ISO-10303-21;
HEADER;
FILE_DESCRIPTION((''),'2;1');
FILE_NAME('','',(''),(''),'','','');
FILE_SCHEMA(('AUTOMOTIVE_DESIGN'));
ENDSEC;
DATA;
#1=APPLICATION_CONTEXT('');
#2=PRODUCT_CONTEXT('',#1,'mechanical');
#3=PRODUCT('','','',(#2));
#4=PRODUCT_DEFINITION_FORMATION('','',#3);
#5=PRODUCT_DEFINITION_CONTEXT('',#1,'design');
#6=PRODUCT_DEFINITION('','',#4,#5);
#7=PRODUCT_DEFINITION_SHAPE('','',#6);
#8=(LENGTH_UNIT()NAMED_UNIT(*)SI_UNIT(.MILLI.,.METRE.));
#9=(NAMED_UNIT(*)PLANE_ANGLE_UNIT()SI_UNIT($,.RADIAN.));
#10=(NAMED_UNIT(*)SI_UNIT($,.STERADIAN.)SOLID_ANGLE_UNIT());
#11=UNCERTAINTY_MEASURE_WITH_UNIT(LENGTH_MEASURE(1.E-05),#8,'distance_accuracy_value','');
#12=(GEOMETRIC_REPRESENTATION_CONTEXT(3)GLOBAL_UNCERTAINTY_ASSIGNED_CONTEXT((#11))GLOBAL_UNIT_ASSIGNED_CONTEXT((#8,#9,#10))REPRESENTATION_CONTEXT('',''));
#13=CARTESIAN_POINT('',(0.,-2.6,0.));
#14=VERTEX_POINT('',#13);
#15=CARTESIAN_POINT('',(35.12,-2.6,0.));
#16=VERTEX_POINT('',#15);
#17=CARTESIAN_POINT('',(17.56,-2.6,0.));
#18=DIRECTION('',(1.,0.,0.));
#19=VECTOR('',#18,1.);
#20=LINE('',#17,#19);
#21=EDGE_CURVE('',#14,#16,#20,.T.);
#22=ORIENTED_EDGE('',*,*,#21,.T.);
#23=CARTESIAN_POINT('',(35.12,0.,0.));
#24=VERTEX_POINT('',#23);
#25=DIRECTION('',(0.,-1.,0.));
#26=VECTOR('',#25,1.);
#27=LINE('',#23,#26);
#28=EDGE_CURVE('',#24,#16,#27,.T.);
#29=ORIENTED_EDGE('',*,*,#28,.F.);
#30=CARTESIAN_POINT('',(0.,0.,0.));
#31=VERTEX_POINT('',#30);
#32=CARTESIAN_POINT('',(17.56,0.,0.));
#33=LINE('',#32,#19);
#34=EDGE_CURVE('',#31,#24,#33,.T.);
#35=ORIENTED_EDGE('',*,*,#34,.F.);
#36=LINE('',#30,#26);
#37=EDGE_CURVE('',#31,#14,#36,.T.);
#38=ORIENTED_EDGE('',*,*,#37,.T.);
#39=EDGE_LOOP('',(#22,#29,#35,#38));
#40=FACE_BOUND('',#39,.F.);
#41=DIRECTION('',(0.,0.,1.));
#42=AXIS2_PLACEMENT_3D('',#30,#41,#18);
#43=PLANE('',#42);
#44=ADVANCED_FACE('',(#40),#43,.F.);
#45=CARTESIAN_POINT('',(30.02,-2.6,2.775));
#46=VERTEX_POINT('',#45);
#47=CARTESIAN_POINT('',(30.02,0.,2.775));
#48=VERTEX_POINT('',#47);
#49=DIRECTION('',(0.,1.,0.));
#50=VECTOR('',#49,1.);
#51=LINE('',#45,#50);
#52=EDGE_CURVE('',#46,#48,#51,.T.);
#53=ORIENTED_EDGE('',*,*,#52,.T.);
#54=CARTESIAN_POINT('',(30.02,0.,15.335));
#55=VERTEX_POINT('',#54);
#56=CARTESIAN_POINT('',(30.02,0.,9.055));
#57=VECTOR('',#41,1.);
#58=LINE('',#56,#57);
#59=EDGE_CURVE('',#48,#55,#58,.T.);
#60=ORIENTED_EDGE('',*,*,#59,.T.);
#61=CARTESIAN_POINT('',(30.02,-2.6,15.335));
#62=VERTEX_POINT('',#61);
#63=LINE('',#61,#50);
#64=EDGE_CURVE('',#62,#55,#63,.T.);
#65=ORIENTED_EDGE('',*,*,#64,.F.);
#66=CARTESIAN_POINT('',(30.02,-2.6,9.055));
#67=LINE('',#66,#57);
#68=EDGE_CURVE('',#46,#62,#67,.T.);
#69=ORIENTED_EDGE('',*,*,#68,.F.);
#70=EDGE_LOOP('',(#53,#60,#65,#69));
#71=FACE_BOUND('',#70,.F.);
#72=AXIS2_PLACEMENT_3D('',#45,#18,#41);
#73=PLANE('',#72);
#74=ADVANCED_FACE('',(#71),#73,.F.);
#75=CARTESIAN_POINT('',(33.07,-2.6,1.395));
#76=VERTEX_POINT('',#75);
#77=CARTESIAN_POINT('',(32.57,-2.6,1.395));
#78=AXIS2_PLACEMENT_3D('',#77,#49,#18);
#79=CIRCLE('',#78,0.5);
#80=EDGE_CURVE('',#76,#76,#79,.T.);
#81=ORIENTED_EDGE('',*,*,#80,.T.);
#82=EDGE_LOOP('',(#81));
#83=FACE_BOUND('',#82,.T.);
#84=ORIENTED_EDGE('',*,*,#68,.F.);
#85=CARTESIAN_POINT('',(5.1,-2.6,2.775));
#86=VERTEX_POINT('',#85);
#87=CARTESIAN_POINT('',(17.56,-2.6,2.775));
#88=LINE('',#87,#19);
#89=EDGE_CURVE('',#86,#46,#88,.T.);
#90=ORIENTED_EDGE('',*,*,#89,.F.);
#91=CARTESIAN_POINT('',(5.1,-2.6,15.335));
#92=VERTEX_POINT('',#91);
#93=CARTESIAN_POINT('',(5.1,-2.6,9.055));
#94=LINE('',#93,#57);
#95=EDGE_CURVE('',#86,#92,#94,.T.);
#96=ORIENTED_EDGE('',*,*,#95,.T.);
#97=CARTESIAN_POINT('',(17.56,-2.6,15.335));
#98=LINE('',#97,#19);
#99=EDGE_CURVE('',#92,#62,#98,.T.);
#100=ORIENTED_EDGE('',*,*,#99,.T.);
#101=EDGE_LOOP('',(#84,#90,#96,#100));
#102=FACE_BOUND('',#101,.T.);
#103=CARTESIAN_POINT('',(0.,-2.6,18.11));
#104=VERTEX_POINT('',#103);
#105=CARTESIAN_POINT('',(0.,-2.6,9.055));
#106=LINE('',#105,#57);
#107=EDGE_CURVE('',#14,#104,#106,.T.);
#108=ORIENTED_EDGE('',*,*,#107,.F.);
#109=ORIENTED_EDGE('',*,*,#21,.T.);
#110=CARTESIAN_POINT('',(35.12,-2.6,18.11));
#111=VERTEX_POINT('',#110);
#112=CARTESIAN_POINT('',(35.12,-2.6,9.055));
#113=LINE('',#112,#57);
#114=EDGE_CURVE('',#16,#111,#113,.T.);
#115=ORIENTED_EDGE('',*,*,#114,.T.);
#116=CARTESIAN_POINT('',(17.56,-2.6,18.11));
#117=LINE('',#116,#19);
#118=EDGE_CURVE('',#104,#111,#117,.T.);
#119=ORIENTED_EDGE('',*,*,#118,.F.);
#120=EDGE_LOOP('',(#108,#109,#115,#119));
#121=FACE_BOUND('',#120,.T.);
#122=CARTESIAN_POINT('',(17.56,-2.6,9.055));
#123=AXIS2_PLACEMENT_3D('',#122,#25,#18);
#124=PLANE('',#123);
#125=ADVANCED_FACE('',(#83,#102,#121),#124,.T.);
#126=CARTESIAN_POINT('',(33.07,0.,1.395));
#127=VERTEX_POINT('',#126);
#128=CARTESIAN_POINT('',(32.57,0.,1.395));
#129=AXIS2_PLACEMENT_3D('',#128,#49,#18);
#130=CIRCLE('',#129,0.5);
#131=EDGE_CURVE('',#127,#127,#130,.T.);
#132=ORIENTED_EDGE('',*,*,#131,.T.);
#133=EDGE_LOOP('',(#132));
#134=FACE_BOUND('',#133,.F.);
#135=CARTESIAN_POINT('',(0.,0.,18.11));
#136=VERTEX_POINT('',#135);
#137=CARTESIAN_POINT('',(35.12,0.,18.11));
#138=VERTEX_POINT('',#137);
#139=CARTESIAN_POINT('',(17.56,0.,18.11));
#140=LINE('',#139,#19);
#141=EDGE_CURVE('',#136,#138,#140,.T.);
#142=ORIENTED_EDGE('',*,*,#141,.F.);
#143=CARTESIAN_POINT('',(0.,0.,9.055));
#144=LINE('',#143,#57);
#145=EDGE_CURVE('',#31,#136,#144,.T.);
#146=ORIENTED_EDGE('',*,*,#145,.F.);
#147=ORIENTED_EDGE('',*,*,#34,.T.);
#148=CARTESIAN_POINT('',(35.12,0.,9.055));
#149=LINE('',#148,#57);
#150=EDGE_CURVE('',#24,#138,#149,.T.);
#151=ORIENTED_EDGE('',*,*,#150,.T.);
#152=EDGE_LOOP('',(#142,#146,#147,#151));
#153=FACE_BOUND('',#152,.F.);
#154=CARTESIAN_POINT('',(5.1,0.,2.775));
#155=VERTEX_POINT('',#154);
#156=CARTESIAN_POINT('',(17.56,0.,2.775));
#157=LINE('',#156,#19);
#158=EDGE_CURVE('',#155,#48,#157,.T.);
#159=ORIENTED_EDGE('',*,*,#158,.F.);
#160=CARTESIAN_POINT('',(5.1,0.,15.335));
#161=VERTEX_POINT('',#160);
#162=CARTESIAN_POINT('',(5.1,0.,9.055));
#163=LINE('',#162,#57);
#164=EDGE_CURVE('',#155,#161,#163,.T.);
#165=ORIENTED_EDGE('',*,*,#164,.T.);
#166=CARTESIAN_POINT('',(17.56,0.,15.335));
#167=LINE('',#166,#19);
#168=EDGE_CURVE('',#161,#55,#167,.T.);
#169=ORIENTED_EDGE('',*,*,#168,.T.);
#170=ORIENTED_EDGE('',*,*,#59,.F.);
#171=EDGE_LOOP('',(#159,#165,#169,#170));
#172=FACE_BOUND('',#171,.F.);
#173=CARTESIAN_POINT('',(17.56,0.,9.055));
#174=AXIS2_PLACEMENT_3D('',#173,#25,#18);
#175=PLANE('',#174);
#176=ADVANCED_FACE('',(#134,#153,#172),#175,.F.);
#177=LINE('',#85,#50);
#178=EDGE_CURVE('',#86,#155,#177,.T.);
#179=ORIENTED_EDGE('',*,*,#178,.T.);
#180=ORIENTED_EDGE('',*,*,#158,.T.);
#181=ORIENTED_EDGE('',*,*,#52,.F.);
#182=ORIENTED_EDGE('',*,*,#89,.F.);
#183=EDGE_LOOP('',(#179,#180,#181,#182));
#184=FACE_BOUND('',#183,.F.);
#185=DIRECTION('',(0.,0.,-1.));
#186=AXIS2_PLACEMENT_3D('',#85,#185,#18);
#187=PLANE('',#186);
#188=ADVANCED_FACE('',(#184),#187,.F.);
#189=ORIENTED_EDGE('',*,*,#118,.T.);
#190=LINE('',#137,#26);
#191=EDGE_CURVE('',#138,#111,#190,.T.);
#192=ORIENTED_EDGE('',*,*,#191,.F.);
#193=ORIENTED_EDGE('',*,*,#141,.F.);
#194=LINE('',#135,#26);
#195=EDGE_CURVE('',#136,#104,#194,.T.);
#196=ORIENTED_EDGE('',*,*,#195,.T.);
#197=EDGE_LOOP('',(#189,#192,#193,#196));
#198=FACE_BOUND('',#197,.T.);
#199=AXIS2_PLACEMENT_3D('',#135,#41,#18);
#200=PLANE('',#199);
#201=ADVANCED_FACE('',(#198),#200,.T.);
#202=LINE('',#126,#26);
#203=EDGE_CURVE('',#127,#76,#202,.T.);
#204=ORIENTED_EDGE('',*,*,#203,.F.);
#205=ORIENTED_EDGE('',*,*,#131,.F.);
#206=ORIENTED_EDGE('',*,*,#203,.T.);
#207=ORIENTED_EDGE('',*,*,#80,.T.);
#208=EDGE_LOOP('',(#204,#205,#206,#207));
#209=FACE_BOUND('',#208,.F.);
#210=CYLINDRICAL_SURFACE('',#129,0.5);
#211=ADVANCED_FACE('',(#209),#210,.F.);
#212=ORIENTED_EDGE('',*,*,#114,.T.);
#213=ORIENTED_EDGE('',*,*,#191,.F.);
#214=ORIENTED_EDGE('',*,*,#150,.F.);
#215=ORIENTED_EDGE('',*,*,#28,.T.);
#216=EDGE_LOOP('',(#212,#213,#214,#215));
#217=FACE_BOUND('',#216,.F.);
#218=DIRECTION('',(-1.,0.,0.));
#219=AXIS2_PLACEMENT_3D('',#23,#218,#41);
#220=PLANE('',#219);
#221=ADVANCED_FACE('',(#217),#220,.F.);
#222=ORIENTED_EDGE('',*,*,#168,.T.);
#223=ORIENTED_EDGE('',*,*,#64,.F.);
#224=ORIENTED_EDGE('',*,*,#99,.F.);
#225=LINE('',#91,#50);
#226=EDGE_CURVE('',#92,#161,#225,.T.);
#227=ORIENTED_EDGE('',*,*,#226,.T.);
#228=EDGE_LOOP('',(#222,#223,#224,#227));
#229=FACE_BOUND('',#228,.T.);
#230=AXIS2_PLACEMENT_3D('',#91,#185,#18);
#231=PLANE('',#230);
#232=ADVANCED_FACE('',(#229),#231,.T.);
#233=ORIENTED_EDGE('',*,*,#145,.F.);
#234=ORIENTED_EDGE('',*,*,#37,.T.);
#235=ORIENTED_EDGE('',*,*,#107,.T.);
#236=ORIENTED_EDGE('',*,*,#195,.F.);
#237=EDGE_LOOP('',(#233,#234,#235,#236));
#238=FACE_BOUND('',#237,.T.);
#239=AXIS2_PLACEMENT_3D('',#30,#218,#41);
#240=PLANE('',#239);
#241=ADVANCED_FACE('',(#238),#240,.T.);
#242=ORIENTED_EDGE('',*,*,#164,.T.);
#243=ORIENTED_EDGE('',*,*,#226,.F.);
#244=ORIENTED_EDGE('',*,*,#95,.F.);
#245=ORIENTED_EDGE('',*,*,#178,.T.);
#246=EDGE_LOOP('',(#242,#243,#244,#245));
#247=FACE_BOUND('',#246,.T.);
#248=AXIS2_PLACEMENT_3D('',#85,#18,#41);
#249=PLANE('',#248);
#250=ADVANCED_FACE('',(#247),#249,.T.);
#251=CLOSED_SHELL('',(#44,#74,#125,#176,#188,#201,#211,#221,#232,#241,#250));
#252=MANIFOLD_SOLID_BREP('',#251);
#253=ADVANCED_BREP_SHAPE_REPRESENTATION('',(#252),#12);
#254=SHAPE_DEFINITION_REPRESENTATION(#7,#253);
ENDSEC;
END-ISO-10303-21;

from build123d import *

# Parameters (mm, degrees)
SKETCH_W        = 35.12
SKETCH_H        = 18.11
PAD_DEPTH       = 2.6
SKETCH002_W     = 24.92
SKETCH002_H     = 12.56
POCKET_DEPTH    = 2.6
SKETCH003_R     = 0.5
SKETCH003_W     = 2.01
SKETCH003_H     = 3.5
POCKET001_DEPTH = 5


with BuildPart() as part:
    # Sketch → Pad (new body)
    with BuildSketch(Plane.XZ):
        with Locations((17.56, 9.055)):
            Rectangle(SKETCH_W, SKETCH_H)
    extrude(amount=PAD_DEPTH)

    # Sketch002 (on Face6 of Pad) → Pocket (cut)
    with BuildSketch(Plane.XZ.offset(2.6)):
        with Locations((17.56, 9.055)):
            Rectangle(SKETCH002_W, SKETCH002_H)
    extrude(amount=-POCKET_DEPTH, mode=Mode.SUBTRACT)

    # Sketch003 (on Face4 of Pocket) → Pocket001 (cut)
    with BuildSketch(Plane(origin=(0, 0, 0), x_dir=(1, 0, 0), z_dir=(0, 1, 0))):
        with Locations((32.57, -1.395)):
            Circle(SKETCH003_R)
        with Locations((27.953742, -8.544061)):
            Rectangle(SKETCH003_W, SKETCH003_H)
    extrude(amount=-POCKET001_DEPTH, mode=Mode.SUBTRACT)


solid = part.part
